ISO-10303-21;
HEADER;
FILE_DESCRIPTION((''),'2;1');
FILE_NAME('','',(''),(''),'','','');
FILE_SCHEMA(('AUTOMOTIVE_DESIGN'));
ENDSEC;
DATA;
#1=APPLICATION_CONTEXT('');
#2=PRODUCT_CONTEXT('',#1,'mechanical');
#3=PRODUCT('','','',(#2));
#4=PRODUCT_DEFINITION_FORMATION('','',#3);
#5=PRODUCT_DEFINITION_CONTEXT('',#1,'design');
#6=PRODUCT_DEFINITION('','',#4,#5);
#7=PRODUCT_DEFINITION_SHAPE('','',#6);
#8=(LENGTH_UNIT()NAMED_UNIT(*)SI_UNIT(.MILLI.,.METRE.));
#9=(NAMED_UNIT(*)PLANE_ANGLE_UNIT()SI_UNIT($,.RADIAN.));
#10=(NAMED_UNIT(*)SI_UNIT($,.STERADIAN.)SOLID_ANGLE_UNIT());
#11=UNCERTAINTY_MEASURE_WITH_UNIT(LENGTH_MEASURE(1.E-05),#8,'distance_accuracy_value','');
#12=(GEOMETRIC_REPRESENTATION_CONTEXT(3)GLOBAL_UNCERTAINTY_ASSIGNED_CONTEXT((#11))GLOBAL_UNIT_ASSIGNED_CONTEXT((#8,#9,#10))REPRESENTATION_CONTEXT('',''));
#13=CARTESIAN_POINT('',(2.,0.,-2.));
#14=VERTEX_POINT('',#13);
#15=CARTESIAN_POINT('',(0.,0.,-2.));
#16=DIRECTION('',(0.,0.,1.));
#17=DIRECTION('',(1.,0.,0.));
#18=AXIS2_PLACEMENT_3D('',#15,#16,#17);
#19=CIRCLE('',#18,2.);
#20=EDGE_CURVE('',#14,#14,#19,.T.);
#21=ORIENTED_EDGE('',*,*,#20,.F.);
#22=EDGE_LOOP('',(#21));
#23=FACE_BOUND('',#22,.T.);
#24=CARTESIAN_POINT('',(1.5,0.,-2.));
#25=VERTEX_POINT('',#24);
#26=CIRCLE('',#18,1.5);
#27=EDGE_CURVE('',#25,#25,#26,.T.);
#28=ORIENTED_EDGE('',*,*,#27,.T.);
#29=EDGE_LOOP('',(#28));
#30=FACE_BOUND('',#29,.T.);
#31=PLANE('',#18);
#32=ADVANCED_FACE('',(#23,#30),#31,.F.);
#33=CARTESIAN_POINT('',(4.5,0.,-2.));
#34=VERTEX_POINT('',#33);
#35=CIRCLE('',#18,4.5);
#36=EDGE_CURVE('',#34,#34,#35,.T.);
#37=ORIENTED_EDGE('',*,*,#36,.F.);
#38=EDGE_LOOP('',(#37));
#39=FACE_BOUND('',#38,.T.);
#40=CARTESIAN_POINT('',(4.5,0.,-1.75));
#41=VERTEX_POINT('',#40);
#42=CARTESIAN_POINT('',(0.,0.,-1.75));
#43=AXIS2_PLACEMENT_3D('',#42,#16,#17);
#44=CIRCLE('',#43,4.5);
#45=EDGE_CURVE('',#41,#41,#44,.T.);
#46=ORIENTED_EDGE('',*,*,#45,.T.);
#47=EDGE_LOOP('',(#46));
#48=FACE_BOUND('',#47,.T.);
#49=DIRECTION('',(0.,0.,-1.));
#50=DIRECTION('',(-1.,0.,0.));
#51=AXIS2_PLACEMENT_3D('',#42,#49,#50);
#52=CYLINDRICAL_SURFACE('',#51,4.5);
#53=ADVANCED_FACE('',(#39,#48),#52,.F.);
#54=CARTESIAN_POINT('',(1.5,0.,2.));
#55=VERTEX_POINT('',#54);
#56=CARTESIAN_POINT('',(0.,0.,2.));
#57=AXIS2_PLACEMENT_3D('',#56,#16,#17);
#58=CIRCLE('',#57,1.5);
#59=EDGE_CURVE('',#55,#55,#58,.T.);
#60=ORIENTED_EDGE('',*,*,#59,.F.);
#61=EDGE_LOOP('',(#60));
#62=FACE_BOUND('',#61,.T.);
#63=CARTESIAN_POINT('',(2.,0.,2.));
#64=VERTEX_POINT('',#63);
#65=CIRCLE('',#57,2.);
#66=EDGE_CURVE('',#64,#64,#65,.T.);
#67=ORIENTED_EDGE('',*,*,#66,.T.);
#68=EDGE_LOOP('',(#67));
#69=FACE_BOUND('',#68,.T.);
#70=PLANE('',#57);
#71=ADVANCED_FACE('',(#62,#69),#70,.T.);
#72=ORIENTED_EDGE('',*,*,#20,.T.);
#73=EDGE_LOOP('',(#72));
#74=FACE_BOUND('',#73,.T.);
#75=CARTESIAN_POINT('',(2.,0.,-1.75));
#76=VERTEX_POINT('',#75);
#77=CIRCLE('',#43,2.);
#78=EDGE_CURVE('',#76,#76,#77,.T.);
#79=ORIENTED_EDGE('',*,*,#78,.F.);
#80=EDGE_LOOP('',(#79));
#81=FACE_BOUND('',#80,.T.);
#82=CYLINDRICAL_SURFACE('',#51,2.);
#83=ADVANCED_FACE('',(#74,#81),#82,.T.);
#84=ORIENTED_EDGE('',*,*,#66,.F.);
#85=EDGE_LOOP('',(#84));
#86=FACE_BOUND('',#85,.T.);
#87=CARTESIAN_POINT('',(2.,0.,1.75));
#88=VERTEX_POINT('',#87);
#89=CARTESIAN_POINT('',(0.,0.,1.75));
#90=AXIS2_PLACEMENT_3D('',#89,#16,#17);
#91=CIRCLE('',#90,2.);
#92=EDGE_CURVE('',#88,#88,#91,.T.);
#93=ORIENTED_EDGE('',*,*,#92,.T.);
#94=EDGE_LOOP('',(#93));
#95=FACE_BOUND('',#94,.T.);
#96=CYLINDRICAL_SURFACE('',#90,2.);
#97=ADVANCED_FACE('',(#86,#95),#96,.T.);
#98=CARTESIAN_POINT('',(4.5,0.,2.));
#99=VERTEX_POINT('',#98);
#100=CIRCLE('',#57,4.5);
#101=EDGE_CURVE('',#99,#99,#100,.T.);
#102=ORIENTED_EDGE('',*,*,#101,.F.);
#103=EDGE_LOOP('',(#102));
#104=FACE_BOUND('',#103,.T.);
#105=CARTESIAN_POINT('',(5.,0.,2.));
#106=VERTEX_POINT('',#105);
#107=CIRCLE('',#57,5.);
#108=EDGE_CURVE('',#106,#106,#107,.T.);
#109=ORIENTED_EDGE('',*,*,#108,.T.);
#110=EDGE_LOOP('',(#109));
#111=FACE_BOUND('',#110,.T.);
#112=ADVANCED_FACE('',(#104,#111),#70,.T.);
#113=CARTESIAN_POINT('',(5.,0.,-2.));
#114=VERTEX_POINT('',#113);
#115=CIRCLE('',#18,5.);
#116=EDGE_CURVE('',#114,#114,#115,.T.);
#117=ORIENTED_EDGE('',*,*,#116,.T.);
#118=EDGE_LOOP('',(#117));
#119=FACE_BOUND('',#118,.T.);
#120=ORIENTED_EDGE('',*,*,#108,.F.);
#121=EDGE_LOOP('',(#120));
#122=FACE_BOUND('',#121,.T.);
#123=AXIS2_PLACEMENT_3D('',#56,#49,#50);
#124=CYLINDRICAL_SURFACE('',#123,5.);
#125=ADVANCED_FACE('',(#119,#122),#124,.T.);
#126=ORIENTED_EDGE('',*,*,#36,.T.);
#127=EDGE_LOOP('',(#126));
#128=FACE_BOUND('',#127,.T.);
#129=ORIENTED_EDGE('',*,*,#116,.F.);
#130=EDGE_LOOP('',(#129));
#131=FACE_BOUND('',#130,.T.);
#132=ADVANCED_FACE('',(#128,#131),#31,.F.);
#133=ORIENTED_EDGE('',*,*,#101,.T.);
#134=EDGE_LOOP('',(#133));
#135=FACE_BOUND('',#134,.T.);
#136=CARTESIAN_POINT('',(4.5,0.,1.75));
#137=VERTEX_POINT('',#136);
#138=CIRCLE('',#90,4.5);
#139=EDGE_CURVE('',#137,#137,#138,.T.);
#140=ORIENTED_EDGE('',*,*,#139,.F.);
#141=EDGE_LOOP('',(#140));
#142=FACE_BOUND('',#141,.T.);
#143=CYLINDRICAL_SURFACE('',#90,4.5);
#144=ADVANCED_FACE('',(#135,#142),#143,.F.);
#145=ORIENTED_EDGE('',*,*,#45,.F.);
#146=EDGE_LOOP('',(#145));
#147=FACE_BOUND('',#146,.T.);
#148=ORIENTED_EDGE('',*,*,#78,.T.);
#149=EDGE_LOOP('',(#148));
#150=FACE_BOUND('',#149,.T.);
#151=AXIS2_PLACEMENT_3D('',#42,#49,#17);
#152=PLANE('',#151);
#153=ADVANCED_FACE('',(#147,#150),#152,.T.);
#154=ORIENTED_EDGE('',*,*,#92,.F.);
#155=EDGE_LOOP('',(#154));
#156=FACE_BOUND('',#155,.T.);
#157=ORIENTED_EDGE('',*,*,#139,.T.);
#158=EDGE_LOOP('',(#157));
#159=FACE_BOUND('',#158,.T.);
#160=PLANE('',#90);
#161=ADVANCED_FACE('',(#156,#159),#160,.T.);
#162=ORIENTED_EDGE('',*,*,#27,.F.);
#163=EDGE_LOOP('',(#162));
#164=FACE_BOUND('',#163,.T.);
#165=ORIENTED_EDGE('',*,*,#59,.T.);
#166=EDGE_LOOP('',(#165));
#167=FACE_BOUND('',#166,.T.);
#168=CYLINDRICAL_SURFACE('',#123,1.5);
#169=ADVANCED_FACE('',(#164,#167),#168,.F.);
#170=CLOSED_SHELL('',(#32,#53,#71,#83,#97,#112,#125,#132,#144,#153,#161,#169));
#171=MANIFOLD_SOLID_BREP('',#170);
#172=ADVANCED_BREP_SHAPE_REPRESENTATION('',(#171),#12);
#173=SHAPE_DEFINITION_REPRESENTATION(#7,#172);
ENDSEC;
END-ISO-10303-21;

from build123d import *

# Parameters (mm, degrees)
SKETCH1_R           = 5
SKETCH1_R_2         = 1.5
BOSS_EXTRUDE1_DEPTH = 2
SKETCH2_R           = 4.5
SKETCH2_R_2         = 2
CUT_EXTRUDE1_DEPTH  = 0.25


with BuildPart() as part:
    # Sketch1 → Boss-Extrude1 (new, symmetric)
    with BuildSketch(Plane.XY):
        Circle(SKETCH1_R)
        Circle(SKETCH1_R_2, mode=Mode.SUBTRACT)
    extrude(amount=BOSS_EXTRUDE1_DEPTH, both=True)

    # Sketch2 → Cut-Extrude1 (cut)
    with BuildSketch(Plane.XY.offset(2)):
        Circle(SKETCH2_R)
        Circle(SKETCH2_R_2, mode=Mode.SUBTRACT)
    cut_extrude1 = extrude(amount=-CUT_EXTRUDE1_DEPTH, mode=Mode.SUBTRACT)

    # Mirror1: Cut-Extrude1 across plane
    add(cut_extrude1.mirror(Plane.XY), mode=Mode.SUBTRACT)


solid = part.part
